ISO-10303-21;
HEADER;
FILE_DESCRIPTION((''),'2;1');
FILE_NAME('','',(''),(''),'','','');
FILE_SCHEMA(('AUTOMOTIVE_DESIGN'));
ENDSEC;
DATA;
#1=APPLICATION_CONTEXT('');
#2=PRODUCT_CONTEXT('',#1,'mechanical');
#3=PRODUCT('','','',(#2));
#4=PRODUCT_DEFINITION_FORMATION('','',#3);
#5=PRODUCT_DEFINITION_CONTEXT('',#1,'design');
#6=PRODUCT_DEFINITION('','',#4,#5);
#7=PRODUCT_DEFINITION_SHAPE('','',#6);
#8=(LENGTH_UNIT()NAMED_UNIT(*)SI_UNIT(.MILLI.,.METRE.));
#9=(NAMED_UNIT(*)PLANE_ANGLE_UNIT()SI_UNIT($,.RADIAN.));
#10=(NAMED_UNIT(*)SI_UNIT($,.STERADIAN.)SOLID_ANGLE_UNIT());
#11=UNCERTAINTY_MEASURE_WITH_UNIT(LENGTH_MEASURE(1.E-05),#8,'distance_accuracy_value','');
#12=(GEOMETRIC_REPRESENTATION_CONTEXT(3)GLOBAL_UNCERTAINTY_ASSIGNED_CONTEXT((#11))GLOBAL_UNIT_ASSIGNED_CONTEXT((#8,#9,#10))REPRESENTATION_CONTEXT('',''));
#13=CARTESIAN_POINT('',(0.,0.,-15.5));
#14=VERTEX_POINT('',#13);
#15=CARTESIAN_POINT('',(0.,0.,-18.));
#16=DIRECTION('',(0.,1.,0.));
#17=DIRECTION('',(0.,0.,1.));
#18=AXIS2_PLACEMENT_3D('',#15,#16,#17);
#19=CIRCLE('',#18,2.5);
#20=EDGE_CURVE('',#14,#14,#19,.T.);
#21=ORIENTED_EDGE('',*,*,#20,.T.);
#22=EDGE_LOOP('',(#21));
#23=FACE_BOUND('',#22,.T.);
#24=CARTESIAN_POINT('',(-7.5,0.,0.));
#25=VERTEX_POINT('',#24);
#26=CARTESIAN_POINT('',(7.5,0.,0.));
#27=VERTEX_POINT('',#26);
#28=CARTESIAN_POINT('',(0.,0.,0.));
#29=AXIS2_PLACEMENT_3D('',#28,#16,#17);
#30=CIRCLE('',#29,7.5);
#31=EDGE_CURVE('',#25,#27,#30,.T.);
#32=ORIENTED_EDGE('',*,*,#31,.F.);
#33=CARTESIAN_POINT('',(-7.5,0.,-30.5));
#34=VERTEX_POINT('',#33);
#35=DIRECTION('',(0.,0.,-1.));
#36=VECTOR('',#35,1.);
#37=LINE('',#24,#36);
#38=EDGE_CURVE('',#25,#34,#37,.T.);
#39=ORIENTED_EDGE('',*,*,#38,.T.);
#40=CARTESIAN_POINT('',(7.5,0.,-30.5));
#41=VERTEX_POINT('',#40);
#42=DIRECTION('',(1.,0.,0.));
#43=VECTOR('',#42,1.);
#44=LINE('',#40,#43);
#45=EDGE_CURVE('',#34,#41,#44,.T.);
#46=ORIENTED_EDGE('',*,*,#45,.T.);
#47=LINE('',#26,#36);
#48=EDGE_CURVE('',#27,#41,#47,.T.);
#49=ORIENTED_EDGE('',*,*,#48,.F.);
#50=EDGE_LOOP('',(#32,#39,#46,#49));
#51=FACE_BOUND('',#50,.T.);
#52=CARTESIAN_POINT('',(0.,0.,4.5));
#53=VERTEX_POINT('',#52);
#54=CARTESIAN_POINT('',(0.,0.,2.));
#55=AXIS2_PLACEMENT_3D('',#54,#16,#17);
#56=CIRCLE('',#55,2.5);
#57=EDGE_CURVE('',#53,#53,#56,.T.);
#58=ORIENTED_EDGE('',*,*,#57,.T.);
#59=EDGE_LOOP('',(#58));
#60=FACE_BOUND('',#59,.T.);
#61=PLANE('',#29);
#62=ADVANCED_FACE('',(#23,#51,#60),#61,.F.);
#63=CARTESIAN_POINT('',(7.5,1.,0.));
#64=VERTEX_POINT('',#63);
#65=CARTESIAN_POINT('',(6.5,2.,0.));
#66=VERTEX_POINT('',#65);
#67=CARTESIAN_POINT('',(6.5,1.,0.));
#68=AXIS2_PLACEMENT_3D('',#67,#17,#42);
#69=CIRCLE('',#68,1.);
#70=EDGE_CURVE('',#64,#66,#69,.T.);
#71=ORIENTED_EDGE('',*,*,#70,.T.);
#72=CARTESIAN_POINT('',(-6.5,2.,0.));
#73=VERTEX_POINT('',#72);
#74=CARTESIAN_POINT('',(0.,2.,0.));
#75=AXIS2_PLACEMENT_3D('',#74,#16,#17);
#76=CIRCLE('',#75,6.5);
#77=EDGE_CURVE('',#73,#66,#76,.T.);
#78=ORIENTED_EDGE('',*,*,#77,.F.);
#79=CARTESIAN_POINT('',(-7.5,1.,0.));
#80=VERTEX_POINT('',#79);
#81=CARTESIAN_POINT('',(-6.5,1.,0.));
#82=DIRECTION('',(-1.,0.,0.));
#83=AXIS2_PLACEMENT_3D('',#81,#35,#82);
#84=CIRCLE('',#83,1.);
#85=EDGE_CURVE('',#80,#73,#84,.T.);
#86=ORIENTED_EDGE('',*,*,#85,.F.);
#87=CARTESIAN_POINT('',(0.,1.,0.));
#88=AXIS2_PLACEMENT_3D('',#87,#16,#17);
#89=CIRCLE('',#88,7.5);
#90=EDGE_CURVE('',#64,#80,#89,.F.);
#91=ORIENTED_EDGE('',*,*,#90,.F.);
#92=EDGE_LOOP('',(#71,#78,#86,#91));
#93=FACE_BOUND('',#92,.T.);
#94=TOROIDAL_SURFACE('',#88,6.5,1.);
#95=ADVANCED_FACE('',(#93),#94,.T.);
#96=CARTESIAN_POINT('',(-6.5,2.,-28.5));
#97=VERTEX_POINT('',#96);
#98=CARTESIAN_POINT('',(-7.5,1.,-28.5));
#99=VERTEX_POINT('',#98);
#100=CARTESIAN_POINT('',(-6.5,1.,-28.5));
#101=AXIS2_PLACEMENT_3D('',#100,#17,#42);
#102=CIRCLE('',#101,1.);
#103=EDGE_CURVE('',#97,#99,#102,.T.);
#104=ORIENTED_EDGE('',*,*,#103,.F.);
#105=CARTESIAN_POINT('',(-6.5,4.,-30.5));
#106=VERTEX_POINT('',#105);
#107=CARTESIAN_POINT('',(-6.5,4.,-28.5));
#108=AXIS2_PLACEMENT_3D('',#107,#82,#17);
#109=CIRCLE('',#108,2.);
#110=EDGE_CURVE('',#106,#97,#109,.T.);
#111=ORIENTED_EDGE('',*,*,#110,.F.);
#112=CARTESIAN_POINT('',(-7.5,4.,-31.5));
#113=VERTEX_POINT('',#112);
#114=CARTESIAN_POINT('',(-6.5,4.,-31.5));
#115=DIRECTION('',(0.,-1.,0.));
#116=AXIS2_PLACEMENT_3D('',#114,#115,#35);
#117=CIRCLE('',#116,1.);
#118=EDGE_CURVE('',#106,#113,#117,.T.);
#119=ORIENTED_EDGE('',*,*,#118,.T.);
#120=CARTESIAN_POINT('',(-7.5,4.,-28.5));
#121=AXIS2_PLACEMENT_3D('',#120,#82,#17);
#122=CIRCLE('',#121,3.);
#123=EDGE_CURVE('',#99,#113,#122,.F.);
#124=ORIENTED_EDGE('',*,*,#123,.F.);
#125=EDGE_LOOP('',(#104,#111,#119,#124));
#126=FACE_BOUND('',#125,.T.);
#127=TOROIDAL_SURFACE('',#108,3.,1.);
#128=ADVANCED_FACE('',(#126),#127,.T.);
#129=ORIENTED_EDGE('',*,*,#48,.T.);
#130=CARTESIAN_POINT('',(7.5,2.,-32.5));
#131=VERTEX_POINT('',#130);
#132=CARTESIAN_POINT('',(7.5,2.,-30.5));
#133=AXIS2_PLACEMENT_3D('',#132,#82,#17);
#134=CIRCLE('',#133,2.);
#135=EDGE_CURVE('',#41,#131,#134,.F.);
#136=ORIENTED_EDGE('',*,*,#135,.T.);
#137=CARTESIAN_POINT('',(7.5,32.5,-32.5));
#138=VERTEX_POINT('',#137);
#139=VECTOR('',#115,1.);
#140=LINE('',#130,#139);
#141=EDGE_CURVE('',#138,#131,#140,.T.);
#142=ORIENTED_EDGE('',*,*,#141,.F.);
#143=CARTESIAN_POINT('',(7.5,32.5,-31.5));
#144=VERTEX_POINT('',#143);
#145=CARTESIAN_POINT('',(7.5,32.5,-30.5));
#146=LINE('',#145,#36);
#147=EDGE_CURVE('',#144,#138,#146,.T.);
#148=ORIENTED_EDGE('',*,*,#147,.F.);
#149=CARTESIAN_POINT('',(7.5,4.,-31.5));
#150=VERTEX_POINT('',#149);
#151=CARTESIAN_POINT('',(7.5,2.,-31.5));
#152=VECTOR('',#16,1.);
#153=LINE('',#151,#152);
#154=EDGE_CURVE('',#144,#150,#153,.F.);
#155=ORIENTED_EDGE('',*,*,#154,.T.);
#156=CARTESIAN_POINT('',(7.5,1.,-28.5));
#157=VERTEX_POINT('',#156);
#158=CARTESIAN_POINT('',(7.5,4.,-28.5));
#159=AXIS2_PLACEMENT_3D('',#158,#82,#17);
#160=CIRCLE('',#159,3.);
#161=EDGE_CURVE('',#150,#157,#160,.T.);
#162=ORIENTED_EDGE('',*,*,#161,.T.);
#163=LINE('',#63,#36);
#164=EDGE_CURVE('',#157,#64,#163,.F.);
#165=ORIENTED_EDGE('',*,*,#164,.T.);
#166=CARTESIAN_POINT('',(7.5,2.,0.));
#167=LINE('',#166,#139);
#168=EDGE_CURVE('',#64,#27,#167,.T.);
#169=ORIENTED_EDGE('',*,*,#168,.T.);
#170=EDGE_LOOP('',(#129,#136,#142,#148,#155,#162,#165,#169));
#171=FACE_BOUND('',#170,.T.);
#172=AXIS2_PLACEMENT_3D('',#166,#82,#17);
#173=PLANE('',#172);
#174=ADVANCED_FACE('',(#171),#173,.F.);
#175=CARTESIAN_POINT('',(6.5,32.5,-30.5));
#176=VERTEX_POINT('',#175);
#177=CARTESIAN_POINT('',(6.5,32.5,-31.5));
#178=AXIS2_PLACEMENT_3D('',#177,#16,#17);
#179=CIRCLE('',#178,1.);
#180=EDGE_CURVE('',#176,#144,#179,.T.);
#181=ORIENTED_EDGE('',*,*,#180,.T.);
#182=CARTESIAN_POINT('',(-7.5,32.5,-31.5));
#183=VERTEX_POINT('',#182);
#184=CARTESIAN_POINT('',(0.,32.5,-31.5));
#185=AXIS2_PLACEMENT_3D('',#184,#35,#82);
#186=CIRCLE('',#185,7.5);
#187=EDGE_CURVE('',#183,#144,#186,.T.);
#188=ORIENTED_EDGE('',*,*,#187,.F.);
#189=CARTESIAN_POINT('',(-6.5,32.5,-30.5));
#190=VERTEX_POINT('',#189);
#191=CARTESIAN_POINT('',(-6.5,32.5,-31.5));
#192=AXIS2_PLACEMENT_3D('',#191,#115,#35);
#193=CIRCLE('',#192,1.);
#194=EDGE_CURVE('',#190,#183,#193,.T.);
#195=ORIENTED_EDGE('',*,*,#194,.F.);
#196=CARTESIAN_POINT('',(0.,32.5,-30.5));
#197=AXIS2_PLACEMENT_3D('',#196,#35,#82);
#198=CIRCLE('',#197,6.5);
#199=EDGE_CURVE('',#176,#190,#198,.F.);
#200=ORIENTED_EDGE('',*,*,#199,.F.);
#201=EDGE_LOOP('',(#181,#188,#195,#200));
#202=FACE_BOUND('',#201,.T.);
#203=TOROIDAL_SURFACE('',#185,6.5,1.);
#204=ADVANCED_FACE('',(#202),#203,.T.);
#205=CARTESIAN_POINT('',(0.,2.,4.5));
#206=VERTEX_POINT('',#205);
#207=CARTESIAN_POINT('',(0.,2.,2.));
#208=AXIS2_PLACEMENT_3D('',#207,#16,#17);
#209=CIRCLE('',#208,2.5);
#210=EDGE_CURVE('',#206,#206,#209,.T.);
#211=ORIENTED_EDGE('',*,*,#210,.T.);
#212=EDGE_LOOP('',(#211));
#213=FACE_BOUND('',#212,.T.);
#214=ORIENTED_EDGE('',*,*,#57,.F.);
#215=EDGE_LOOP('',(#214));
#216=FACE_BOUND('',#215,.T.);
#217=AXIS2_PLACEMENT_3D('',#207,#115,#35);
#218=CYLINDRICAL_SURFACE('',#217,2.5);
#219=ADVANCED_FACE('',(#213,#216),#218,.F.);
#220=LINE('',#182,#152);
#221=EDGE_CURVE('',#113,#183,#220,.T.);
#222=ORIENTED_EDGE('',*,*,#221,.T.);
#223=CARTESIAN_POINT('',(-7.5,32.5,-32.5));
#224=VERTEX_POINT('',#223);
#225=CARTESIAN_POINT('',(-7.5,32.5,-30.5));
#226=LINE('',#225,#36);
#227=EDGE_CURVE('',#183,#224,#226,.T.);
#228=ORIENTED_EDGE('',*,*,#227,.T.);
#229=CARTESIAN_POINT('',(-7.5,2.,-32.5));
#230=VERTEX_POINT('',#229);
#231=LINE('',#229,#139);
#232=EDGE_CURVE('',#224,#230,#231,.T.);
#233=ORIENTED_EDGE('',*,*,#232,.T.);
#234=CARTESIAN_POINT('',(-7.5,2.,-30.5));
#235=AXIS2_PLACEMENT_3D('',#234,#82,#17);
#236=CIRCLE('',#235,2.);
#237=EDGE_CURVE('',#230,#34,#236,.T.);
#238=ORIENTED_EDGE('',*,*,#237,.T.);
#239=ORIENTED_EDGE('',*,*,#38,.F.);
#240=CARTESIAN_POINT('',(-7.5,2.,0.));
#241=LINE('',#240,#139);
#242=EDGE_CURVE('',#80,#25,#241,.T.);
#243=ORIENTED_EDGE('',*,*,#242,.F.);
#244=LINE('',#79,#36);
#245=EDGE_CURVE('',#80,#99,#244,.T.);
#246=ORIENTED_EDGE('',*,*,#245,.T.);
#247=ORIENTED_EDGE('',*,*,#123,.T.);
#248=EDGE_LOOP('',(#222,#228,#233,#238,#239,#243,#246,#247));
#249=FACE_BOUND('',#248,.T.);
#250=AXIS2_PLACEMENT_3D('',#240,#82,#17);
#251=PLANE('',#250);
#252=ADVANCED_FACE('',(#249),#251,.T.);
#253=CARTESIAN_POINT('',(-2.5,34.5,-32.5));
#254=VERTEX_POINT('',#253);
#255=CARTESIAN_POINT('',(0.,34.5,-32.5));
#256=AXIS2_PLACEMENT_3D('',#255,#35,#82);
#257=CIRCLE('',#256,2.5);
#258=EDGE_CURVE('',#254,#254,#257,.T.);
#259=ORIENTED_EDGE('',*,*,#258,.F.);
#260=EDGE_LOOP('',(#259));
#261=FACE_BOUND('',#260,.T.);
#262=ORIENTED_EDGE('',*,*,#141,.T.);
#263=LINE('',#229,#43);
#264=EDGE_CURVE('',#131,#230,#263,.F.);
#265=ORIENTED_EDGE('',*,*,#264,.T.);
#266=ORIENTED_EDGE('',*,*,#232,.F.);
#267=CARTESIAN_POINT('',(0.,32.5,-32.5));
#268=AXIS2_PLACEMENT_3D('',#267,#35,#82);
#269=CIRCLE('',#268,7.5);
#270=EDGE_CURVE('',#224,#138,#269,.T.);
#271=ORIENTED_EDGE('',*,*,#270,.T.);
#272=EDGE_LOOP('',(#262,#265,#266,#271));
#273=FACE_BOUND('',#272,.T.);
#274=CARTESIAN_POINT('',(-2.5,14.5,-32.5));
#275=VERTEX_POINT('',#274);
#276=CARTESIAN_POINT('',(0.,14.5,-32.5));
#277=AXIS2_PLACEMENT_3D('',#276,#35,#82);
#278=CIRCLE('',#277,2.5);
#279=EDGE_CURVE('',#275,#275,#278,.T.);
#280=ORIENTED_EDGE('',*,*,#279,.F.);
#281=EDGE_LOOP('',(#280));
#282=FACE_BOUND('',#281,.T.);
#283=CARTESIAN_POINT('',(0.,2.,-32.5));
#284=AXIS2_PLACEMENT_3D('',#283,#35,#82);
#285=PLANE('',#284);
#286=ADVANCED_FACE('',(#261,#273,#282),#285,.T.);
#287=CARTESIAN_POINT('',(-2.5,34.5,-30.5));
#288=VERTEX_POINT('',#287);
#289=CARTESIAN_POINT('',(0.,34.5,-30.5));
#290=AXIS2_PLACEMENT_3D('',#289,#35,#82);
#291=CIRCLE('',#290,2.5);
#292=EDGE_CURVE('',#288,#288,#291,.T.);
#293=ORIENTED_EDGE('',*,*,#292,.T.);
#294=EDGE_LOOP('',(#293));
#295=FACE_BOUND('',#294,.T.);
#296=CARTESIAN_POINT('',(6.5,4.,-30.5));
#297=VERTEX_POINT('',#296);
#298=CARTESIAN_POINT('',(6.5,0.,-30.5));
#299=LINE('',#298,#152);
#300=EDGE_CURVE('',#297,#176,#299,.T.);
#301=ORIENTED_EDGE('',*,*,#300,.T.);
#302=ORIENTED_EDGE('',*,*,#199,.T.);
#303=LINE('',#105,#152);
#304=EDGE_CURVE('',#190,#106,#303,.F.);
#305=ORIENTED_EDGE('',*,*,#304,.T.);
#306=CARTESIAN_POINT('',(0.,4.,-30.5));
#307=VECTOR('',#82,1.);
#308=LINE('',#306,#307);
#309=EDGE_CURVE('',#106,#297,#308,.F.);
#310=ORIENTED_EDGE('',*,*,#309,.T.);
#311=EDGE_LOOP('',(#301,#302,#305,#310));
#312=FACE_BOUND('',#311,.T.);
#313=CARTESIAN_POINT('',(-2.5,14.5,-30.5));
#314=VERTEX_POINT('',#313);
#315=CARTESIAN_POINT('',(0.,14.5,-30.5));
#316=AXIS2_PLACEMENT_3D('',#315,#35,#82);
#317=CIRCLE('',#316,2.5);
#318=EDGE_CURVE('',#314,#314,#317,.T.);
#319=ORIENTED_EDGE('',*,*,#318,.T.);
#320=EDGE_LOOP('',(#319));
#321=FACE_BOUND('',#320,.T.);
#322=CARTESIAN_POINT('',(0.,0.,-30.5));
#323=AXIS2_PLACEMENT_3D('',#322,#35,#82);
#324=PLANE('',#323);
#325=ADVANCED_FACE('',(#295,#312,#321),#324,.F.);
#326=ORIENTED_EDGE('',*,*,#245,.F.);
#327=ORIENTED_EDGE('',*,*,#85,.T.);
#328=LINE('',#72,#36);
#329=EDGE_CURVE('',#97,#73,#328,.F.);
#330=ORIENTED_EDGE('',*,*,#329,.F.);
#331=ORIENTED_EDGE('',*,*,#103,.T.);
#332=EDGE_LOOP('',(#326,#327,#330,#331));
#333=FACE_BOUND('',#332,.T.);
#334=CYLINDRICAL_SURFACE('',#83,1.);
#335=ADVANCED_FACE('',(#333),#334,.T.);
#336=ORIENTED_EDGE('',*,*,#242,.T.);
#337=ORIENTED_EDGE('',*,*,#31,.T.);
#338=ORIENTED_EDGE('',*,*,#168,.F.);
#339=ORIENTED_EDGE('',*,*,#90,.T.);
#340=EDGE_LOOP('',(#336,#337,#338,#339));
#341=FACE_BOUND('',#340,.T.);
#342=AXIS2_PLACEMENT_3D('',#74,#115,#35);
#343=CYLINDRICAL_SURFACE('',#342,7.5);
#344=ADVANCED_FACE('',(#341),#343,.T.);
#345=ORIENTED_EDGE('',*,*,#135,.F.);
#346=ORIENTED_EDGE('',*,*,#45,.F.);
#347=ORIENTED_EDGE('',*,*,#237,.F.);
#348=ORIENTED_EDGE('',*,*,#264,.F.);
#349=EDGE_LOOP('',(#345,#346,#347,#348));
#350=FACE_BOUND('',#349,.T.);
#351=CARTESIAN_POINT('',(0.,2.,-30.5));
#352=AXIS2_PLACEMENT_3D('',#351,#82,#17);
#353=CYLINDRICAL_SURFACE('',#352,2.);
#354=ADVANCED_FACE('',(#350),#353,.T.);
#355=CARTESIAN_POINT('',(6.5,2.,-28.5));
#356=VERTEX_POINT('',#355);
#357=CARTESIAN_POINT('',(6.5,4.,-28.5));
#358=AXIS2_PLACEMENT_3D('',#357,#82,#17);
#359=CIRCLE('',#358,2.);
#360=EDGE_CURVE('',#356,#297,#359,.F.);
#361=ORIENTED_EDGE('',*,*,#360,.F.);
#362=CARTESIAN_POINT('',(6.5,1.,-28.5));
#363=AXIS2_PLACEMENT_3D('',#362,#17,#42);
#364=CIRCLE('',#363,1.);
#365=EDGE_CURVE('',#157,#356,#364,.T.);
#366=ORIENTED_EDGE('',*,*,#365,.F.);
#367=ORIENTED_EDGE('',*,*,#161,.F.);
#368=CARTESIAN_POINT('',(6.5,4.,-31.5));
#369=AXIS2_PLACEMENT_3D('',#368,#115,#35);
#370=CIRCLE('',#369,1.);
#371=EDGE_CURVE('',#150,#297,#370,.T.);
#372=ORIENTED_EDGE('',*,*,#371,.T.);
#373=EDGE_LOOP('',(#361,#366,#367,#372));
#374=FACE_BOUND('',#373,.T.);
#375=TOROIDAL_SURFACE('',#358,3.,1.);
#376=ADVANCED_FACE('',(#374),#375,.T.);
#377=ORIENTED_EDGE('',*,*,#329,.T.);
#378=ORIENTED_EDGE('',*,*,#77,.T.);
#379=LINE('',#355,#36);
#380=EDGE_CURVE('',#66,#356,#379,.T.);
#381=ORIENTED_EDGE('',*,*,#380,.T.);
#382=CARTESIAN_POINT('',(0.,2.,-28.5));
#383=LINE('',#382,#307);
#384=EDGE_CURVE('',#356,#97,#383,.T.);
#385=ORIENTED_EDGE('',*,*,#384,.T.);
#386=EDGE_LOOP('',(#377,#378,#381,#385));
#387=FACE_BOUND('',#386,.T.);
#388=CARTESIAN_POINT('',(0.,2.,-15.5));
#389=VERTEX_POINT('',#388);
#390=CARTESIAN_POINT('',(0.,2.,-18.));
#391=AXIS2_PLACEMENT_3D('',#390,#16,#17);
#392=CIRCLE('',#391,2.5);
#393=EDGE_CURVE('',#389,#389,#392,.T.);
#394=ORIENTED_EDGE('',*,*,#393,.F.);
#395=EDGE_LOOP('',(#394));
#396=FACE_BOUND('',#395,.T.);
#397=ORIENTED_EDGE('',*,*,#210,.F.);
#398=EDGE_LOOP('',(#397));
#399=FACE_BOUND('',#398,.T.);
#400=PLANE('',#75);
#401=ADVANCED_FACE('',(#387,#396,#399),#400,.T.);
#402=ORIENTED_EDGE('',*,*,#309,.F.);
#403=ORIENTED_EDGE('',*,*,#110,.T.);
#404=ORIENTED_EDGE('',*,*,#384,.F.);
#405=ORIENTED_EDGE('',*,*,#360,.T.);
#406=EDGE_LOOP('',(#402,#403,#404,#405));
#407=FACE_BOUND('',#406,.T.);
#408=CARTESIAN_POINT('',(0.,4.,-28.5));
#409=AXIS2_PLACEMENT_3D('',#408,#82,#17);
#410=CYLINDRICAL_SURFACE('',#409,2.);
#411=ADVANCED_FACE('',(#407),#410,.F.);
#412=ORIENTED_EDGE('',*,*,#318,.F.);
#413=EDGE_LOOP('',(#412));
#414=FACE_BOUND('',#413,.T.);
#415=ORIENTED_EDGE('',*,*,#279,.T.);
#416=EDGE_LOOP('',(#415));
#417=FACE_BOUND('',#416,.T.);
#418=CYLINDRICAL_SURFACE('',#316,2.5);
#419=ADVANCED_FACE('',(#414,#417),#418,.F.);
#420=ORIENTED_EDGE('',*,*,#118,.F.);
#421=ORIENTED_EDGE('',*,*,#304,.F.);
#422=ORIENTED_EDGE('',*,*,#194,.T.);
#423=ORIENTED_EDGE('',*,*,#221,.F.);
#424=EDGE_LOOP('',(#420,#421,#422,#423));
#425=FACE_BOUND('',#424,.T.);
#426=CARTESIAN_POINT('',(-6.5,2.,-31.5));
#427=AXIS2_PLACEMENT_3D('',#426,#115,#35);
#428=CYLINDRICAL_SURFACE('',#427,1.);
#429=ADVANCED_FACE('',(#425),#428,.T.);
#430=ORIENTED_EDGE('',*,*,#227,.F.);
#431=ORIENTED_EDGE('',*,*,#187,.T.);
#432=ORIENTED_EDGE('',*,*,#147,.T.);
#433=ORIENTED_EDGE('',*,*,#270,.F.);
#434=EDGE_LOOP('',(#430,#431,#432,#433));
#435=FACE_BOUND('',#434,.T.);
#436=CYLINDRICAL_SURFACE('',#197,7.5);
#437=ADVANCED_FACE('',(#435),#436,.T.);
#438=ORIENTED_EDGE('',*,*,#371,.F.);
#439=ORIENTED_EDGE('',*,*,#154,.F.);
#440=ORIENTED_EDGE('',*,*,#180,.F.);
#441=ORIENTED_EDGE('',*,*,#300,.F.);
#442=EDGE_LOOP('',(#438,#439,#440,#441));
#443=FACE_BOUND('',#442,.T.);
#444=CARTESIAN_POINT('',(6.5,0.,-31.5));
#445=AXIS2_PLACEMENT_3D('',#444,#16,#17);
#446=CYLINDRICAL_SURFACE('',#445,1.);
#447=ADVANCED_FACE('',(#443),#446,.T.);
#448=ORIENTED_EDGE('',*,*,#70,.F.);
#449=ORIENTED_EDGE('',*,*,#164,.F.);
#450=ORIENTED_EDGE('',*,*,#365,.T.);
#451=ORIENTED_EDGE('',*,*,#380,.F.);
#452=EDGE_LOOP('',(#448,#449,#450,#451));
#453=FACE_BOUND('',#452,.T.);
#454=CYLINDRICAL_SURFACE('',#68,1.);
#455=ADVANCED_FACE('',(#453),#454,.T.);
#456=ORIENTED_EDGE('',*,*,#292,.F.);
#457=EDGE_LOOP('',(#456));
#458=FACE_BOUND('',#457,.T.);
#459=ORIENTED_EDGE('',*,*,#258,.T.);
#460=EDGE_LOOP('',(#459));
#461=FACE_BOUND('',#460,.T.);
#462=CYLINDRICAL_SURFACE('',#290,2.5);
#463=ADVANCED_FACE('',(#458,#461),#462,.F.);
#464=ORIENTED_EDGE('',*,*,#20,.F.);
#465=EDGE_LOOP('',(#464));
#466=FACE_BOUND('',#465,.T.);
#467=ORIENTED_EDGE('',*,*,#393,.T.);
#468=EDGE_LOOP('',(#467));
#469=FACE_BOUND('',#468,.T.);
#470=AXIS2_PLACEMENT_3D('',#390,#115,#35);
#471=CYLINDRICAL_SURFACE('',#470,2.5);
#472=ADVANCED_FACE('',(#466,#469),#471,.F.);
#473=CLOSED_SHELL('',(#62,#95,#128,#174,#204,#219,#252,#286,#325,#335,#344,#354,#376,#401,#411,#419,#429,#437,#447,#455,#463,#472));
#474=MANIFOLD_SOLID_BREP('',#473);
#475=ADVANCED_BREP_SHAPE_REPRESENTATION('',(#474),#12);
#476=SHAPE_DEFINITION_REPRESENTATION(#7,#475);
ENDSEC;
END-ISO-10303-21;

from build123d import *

# Parameters (mm, degrees)
ESQUISSE1_R        = 2.5
BOSS_EXTRU_2_DEPTH = 2
ESQUISSE2_R        = 2.5
ESQUISSE2_W        = 15
ESQUISSE2_H        = 2
BOSS_EXTRU_3_DEPTH = 2
CONG_1_R           = 2
CONG_2_R           = 2
CONG_4_R           = 1


with BuildPart() as part:
    # Esquisse1 → Boss.-Extru.2 (new body)
    with BuildSketch(Plane(origin=(0, 0, 0), x_dir=(1, 0, 0), z_dir=(0, 1, 0))):
        with BuildLine():
            ThreePointArc((-7.5, 0), (0, -7.5), (7.5, 0))
            Line((7.5, 0), (7.5, 32.5))
            Line((7.5, 32.5), (-7.5, 32.5))
            Line((-7.5, 32.5), (-7.5, 0))
        make_face()
        with Locations(Location((0, -2, 0), (0, 0, 270))):
            Circle(ESQUISSE1_R, mode=Mode.SUBTRACT)
        with Locations(Location((0, 18, 0), (0, 0, 270))):
            Circle(ESQUISSE1_R, mode=Mode.SUBTRACT)
    extrude(amount=BOSS_EXTRU_2_DEPTH)

    # Esquisse2 → Boss.-Extru.3 (add)
    # profile 1 of 2: a face of its own
    with BuildSketch(Plane(origin=(0, 0, -32.5), x_dir=(-1, 0, 0), z_dir=(0, 0, -1))):
        with BuildLine():
            Line((-7.5, 32.5), (-7.5, 2))
            Line((-7.5, 2), (7.5, 2))
            Line((7.5, 2), (7.5, 32.5))
            ThreePointArc((7.5, 32.5), (5.303300859, 37.803300859), (0, 40))
            ThreePointArc((0, 40), (-5.303300859, 37.803300859), (-7.5, 32.5))
        make_face()
        with Locations((0, 14.5)):
            Circle(ESQUISSE2_R, mode=Mode.SUBTRACT)
        with Locations((0, 34.5)):
            Circle(ESQUISSE2_R, mode=Mode.SUBTRACT)
    # profile 2 of 2: a face of its own
    with BuildSketch(Plane(origin=(0, 0, -32.5), x_dir=(-1, 0, 0), z_dir=(0, 0, -1))):
        with Locations((0, 1)):
            Rectangle(ESQUISSE2_W, ESQUISSE2_H)
    extrude(amount=-BOSS_EXTRU_3_DEPTH)

    # Congé1
    cong_1_edges = [part.edges().sort_by_distance(p)[0] for p in [
        (0, 0, -32.5),
    ]]
    fillet(cong_1_edges, radius=CONG_1_R)

    # Congé2
    cong_2_edges = [part.edges().sort_by_distance(p)[0] for p in [
        (0, 2, -30.5),
    ]]
    fillet(cong_2_edges, radius=CONG_2_R)

    # Congé4
    cong_4_edges = [part.edges().sort_by_distance(p)[0] for p in [
        (0, 2, 7.5),
        (7.5, 2, -14.25),
        (0, 40, -30.5),
        (-7.5, 2, -14.25),
        (7.5, 18.25, -30.5),
        (-7.5, 18.25, -30.5),
        (-7.5, 2.585786438, -29.914213562),
        (7.5, 2.585786438, -29.914213562),
    ]]
    fillet(cong_4_edges, radius=CONG_4_R)


solid = part.part
